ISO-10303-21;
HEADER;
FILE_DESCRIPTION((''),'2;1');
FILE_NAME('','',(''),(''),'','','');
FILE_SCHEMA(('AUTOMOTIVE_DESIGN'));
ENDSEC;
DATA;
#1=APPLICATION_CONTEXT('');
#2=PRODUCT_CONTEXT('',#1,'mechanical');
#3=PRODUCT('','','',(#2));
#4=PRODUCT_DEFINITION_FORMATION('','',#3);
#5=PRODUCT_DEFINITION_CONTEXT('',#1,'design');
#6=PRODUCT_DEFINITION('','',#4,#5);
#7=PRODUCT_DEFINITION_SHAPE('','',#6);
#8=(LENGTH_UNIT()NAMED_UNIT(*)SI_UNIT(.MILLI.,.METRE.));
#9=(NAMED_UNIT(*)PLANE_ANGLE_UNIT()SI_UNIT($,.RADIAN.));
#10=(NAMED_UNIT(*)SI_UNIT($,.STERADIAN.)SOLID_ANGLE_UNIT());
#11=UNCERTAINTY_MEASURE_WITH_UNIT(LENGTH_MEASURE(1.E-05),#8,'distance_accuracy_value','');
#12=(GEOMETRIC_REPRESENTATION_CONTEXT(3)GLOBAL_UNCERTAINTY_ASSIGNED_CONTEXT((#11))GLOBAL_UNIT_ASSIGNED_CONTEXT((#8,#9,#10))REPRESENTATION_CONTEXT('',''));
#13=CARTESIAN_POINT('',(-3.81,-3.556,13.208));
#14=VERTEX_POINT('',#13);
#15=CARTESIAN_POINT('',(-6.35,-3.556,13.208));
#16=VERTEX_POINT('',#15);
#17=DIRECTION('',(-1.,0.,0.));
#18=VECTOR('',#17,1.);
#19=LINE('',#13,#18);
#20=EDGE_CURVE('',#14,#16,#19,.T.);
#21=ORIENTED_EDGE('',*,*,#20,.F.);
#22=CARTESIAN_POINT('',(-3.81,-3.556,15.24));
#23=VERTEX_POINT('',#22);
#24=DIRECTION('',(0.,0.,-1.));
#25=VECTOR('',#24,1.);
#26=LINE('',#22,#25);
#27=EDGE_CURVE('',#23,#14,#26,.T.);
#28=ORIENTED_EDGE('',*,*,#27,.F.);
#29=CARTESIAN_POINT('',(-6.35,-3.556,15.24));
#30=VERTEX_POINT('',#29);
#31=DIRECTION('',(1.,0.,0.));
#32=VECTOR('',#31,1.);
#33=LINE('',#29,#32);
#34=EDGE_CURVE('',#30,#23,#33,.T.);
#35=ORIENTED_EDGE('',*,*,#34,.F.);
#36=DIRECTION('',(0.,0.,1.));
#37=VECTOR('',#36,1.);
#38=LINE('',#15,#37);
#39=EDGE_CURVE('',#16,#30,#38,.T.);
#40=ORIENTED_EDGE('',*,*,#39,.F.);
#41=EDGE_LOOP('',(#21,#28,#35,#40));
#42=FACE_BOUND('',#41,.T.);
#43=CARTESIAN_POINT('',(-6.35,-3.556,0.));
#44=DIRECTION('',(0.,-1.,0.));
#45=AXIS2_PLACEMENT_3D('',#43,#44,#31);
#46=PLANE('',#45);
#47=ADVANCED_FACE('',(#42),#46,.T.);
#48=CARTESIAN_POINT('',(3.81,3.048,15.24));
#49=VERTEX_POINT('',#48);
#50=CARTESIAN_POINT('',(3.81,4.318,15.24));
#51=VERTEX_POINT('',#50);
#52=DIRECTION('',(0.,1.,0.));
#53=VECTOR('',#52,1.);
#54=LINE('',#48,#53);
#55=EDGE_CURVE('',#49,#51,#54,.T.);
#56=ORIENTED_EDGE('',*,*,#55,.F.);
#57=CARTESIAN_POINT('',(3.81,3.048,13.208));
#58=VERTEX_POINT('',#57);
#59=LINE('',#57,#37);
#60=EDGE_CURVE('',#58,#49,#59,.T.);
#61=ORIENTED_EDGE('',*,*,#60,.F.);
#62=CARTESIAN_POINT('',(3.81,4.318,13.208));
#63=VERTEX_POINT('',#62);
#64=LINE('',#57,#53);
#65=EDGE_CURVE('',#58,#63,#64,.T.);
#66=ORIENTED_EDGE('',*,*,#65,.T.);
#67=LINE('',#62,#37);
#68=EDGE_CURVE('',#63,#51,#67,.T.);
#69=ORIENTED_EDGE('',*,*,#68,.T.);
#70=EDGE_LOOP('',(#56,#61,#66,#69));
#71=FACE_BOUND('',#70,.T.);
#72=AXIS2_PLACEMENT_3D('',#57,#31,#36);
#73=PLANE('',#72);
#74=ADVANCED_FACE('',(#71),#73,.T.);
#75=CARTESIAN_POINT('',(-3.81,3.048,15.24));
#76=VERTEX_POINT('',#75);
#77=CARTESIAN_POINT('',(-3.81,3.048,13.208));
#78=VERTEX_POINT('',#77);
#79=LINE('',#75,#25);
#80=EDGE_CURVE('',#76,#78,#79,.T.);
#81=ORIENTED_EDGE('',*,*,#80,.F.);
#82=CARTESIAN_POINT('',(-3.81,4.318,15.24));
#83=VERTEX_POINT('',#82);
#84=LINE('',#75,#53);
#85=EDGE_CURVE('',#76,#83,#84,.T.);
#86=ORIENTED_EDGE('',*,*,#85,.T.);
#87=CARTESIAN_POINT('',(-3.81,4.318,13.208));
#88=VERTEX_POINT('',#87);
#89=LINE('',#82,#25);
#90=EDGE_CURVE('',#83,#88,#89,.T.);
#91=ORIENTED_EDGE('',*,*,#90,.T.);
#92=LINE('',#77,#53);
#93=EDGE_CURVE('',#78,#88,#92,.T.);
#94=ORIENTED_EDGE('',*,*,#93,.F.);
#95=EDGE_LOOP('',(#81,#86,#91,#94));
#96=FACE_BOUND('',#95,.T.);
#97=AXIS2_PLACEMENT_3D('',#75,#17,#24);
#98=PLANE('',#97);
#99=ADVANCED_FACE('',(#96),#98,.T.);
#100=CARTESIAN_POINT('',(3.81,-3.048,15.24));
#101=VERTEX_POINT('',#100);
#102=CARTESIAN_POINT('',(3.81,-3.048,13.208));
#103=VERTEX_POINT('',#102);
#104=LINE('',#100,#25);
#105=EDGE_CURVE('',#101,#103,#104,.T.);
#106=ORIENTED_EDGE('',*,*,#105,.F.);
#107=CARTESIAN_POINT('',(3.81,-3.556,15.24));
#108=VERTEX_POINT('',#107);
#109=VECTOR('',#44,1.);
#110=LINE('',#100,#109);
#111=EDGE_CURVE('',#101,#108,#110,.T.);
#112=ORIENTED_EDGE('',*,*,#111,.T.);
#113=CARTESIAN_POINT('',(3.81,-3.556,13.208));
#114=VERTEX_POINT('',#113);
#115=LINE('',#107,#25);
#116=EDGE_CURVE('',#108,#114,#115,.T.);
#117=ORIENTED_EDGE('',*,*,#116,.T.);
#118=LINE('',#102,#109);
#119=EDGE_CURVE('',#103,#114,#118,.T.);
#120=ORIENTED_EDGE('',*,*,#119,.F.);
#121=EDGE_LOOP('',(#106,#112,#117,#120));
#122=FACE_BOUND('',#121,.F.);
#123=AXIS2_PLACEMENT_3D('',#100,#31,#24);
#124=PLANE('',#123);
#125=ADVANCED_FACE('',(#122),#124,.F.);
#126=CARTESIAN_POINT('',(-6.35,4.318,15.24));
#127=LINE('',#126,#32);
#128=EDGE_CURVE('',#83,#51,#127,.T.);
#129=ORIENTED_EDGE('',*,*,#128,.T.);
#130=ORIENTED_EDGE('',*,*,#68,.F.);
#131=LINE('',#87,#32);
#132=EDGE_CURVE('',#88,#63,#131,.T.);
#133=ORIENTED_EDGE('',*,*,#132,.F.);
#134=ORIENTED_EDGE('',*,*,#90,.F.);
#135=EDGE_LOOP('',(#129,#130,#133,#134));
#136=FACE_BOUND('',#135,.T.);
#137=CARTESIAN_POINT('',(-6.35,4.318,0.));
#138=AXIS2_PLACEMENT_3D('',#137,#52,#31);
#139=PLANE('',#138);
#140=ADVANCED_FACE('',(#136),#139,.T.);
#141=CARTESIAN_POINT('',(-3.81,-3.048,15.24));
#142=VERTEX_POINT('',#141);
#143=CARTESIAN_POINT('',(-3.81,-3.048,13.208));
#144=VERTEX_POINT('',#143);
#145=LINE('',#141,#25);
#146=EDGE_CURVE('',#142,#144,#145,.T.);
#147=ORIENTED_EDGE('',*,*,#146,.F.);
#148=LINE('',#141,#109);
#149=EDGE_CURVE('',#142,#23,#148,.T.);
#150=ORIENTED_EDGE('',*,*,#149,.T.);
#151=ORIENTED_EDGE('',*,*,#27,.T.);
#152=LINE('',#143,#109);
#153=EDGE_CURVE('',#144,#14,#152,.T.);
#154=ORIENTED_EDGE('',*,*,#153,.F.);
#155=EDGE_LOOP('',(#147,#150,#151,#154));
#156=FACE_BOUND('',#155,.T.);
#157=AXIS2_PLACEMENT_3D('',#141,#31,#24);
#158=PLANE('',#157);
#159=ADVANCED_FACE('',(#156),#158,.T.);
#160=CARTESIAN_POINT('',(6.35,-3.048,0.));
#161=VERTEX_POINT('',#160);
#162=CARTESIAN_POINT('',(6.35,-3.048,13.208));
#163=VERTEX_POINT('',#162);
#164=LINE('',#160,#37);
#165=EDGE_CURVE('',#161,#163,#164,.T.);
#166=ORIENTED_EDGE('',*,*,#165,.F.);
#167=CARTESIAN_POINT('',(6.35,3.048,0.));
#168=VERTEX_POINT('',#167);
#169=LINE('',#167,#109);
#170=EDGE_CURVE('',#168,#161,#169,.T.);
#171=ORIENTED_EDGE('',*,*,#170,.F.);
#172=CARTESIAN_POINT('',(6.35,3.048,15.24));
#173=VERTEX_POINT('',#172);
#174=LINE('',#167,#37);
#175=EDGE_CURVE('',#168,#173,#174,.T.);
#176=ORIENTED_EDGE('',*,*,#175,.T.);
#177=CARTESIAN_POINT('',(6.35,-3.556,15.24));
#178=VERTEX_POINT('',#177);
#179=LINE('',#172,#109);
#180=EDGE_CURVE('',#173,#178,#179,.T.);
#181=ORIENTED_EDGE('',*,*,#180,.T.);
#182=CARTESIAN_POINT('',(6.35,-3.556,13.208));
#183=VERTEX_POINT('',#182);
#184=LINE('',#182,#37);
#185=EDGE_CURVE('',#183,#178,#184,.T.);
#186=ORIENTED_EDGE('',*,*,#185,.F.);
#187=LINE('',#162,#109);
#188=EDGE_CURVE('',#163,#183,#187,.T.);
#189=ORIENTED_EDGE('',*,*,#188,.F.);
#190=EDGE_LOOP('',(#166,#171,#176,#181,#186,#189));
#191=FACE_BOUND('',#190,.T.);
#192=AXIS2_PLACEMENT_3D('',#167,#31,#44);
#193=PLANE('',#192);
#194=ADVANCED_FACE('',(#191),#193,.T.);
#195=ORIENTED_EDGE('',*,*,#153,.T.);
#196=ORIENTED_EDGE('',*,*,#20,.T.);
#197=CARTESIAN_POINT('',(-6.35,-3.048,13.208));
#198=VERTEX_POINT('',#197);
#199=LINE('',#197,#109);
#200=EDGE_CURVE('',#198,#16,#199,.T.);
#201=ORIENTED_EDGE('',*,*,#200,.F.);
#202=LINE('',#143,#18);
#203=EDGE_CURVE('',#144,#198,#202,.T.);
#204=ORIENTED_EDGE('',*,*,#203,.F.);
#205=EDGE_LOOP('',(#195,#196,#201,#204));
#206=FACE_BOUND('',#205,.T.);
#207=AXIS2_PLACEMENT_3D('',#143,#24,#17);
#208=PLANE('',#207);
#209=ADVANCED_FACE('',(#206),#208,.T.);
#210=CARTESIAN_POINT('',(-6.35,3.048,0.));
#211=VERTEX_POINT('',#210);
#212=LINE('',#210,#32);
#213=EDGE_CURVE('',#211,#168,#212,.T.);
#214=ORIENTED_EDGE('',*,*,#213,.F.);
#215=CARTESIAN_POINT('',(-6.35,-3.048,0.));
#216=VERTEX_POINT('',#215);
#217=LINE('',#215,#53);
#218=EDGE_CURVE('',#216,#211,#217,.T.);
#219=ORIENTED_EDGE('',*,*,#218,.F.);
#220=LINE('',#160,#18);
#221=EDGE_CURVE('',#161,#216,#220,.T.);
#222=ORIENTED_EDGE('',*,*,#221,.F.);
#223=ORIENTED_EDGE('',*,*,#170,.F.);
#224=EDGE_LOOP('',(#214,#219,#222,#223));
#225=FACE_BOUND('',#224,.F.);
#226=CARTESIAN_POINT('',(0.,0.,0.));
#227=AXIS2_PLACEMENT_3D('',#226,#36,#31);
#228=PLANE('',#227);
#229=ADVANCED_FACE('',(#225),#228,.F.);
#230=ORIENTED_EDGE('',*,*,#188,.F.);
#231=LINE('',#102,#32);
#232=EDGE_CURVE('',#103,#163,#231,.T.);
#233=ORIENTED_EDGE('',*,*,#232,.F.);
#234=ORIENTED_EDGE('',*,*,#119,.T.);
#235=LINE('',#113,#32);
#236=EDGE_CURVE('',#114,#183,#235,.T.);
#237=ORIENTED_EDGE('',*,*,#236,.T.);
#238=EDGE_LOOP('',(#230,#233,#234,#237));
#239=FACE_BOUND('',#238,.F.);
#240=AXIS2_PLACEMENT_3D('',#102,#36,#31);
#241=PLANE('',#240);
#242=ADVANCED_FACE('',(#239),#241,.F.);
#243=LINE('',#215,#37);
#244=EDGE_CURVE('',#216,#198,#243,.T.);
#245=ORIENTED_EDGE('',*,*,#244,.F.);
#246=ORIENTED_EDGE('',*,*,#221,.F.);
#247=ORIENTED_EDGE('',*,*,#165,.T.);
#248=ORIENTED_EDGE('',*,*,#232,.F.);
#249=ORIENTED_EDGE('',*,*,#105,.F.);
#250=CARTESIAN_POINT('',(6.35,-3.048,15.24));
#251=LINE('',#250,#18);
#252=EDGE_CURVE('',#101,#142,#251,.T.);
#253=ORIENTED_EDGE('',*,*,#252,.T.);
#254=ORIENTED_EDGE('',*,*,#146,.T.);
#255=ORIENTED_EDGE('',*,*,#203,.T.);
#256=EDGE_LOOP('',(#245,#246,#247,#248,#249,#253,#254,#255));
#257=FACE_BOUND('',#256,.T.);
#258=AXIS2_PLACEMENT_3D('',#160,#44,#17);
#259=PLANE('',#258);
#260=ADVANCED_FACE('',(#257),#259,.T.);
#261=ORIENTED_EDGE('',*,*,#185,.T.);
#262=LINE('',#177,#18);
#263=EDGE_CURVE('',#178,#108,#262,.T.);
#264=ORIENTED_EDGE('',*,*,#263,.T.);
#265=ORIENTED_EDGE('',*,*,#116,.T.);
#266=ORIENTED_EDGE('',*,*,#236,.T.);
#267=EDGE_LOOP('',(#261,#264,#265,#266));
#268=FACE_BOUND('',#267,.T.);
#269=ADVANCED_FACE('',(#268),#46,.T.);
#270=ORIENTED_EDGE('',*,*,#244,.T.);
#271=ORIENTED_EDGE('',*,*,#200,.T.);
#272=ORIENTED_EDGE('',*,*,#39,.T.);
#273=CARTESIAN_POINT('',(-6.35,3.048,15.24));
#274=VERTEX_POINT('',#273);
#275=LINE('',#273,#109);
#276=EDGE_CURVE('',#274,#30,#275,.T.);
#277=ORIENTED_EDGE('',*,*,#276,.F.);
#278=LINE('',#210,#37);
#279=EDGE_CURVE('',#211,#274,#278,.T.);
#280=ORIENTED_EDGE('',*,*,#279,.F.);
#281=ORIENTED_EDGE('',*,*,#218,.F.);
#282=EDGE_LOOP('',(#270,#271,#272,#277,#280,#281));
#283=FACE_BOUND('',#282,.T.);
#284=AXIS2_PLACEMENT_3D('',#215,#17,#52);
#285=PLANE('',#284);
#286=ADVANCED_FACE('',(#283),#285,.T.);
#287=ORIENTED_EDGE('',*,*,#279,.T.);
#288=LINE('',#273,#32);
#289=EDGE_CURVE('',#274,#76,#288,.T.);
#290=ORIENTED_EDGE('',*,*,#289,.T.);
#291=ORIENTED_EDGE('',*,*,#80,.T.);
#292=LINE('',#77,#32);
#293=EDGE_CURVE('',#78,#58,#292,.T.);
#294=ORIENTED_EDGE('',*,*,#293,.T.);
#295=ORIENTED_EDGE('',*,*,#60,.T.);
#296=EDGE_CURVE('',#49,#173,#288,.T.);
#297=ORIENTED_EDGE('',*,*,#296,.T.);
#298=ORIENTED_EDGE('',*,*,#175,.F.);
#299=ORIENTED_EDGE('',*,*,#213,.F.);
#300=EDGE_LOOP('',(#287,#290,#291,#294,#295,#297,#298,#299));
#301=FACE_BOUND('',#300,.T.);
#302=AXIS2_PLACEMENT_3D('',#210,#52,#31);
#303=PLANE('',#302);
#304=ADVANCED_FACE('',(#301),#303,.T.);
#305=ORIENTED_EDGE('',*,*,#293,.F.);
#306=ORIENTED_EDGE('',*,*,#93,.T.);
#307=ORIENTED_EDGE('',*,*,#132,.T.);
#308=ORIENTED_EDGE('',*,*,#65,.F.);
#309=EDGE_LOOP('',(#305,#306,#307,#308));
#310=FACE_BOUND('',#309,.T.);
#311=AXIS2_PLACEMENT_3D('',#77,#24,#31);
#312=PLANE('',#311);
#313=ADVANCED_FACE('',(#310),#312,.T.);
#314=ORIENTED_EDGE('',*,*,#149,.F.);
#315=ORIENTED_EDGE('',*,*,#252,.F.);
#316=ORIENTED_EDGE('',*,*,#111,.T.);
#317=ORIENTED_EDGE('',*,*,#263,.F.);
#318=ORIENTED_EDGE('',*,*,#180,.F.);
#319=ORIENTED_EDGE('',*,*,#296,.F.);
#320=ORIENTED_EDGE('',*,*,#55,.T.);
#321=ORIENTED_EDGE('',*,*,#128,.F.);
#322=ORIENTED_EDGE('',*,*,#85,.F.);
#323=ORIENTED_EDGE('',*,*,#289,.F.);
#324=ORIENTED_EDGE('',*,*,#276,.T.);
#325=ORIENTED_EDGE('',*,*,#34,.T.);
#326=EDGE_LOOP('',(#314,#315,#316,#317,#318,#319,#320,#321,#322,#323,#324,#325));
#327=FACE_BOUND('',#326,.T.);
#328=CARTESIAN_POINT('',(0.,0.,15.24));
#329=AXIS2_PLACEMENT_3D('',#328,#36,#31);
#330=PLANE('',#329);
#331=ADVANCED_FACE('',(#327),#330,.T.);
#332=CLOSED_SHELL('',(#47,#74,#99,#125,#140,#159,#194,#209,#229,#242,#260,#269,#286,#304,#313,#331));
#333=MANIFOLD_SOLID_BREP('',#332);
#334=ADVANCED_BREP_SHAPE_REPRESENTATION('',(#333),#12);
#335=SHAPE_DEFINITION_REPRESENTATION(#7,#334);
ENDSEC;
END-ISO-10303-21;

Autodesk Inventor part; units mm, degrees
ref_plane "YZ Plane" through (0, 0, 0) normal (1, 0, 0) x (0, 1, 0)
ref_plane "XZ Plane" through (0, 0, 0) normal (0, 1, 0) x (-1, 0, 0)
ref_plane "XY Plane" through (0, 0, 0) normal (0, 0, 1) x (1, 0, 0)
sketch "Sketch1" plane through (0, 0, 0) normal (0, 0, 1) x (1, 0, 0)
  line L0 (-6.35, 3.048) -> (6.35, 3.048)
  line L1 (6.35, 3.048) -> (6.35, -3.048)
  line L2 (6.35, -3.048) -> (-6.35, -3.048)
  line L3 (-6.35, -3.048) -> (-6.35, 3.048)
  point P0 (0, 0)
  point P1 (0, -3.048)
  point P2 (-6.35, 0)
  dimension "d0" = 12.7
  dimension "d1" = 6.096
extrude "Extrusion1" add sketch "Sketch1" along normal blind 15.24
sketch "Sketch2" plane through (-6.35, 3.048, 0) normal (0, 1, 0) x (1, 0, 0)
  line L0 (0, -15.24) -> (12.7, -15.24) projected
  line L1 (2.54, -13.208) -> (10.16, -13.208)
  line L2 (10.16, -13.208) -> (10.16, -15.24)
  line L3 (10.16, -15.24) -> (2.54, -15.24)
  line L4 (2.54, -15.24) -> (2.54, -13.208)
  point P0 (6.35, -15.24)
  dimension "d4" = 7.62
  dimension "d5" = 2.032
extrude "Extrusion2" add sketch "Sketch2" along normal blind 1.27
sketch "Sketch3" plane through (-6.35, -3.048, 0) normal (0, -1, 0) x (1, 0, 0)
  line L0 (0, 15.24) -> (2.54, 15.24)
  line L1 (2.54, 15.24) -> (2.54, 13.208)
  line L2 (2.54, 13.208) -> (0, 13.208)
  line L3 (0, 13.208) -> (0, 15.24)
  line L4 (12.7, 15.24) -> (10.16, 15.24)
  line L5 (10.16, 15.24) -> (10.16, 13.208)
  line L6 (10.16, 13.208) -> (12.7, 13.208)
  line L7 (12.7, 13.208) -> (12.7, 15.24)
  dimension "d8" = 2.54
  dimension "d9" = 2.54
  dimension "d10" = 2.032
  dimension "d11" = 2.032
extrude "Extrusion3" add sketch "Sketch3" along normal blind 0.508
sketch "Sketch4" plane through (0, 0, 0) normal (0, 0, -1) x (-1, 0, 0)
  line L0 (6.35, 3.048) -> (-6.35, 3.048) projected
  line L1 (-6.35, 3.048) -> (-6.35, -3.048) projected
  line L2 (-6.35, -3.048) -> (6.35, -3.048) projected
  line L3 (6.35, -3.048) -> (6.35, 3.048) projected
  point P0 (-5.08, 1.27)
  point P1 (-2.54, 1.27)
  point P2 (2.54, 1.27)
  point P3 (5.08, 1.27)
  point P4 (-5.08, -1.27)
  point P5 (-2.54, -1.27)
  point P6 (2.54, -1.27)
  point P7 (5.08, -1.27)
  point P8 (0, 3.048)
  point P9 (0, 1.27)
  point P10 (0, -1.27)
  point P11 (0, 1.27)
  point P12 (0, -1.27)
  dimension "d14" = 1.27
  dimension "d15" = 1.778
  dimension "d16" = 1.27
  dimension "d17" = 1.778
  dimension "d18" = 2.54
  dimension "d19" = 2.54
  dimension "d20" = 2.54
  dimension "d21" = 2.54
properties part number "10 Pin DR"
